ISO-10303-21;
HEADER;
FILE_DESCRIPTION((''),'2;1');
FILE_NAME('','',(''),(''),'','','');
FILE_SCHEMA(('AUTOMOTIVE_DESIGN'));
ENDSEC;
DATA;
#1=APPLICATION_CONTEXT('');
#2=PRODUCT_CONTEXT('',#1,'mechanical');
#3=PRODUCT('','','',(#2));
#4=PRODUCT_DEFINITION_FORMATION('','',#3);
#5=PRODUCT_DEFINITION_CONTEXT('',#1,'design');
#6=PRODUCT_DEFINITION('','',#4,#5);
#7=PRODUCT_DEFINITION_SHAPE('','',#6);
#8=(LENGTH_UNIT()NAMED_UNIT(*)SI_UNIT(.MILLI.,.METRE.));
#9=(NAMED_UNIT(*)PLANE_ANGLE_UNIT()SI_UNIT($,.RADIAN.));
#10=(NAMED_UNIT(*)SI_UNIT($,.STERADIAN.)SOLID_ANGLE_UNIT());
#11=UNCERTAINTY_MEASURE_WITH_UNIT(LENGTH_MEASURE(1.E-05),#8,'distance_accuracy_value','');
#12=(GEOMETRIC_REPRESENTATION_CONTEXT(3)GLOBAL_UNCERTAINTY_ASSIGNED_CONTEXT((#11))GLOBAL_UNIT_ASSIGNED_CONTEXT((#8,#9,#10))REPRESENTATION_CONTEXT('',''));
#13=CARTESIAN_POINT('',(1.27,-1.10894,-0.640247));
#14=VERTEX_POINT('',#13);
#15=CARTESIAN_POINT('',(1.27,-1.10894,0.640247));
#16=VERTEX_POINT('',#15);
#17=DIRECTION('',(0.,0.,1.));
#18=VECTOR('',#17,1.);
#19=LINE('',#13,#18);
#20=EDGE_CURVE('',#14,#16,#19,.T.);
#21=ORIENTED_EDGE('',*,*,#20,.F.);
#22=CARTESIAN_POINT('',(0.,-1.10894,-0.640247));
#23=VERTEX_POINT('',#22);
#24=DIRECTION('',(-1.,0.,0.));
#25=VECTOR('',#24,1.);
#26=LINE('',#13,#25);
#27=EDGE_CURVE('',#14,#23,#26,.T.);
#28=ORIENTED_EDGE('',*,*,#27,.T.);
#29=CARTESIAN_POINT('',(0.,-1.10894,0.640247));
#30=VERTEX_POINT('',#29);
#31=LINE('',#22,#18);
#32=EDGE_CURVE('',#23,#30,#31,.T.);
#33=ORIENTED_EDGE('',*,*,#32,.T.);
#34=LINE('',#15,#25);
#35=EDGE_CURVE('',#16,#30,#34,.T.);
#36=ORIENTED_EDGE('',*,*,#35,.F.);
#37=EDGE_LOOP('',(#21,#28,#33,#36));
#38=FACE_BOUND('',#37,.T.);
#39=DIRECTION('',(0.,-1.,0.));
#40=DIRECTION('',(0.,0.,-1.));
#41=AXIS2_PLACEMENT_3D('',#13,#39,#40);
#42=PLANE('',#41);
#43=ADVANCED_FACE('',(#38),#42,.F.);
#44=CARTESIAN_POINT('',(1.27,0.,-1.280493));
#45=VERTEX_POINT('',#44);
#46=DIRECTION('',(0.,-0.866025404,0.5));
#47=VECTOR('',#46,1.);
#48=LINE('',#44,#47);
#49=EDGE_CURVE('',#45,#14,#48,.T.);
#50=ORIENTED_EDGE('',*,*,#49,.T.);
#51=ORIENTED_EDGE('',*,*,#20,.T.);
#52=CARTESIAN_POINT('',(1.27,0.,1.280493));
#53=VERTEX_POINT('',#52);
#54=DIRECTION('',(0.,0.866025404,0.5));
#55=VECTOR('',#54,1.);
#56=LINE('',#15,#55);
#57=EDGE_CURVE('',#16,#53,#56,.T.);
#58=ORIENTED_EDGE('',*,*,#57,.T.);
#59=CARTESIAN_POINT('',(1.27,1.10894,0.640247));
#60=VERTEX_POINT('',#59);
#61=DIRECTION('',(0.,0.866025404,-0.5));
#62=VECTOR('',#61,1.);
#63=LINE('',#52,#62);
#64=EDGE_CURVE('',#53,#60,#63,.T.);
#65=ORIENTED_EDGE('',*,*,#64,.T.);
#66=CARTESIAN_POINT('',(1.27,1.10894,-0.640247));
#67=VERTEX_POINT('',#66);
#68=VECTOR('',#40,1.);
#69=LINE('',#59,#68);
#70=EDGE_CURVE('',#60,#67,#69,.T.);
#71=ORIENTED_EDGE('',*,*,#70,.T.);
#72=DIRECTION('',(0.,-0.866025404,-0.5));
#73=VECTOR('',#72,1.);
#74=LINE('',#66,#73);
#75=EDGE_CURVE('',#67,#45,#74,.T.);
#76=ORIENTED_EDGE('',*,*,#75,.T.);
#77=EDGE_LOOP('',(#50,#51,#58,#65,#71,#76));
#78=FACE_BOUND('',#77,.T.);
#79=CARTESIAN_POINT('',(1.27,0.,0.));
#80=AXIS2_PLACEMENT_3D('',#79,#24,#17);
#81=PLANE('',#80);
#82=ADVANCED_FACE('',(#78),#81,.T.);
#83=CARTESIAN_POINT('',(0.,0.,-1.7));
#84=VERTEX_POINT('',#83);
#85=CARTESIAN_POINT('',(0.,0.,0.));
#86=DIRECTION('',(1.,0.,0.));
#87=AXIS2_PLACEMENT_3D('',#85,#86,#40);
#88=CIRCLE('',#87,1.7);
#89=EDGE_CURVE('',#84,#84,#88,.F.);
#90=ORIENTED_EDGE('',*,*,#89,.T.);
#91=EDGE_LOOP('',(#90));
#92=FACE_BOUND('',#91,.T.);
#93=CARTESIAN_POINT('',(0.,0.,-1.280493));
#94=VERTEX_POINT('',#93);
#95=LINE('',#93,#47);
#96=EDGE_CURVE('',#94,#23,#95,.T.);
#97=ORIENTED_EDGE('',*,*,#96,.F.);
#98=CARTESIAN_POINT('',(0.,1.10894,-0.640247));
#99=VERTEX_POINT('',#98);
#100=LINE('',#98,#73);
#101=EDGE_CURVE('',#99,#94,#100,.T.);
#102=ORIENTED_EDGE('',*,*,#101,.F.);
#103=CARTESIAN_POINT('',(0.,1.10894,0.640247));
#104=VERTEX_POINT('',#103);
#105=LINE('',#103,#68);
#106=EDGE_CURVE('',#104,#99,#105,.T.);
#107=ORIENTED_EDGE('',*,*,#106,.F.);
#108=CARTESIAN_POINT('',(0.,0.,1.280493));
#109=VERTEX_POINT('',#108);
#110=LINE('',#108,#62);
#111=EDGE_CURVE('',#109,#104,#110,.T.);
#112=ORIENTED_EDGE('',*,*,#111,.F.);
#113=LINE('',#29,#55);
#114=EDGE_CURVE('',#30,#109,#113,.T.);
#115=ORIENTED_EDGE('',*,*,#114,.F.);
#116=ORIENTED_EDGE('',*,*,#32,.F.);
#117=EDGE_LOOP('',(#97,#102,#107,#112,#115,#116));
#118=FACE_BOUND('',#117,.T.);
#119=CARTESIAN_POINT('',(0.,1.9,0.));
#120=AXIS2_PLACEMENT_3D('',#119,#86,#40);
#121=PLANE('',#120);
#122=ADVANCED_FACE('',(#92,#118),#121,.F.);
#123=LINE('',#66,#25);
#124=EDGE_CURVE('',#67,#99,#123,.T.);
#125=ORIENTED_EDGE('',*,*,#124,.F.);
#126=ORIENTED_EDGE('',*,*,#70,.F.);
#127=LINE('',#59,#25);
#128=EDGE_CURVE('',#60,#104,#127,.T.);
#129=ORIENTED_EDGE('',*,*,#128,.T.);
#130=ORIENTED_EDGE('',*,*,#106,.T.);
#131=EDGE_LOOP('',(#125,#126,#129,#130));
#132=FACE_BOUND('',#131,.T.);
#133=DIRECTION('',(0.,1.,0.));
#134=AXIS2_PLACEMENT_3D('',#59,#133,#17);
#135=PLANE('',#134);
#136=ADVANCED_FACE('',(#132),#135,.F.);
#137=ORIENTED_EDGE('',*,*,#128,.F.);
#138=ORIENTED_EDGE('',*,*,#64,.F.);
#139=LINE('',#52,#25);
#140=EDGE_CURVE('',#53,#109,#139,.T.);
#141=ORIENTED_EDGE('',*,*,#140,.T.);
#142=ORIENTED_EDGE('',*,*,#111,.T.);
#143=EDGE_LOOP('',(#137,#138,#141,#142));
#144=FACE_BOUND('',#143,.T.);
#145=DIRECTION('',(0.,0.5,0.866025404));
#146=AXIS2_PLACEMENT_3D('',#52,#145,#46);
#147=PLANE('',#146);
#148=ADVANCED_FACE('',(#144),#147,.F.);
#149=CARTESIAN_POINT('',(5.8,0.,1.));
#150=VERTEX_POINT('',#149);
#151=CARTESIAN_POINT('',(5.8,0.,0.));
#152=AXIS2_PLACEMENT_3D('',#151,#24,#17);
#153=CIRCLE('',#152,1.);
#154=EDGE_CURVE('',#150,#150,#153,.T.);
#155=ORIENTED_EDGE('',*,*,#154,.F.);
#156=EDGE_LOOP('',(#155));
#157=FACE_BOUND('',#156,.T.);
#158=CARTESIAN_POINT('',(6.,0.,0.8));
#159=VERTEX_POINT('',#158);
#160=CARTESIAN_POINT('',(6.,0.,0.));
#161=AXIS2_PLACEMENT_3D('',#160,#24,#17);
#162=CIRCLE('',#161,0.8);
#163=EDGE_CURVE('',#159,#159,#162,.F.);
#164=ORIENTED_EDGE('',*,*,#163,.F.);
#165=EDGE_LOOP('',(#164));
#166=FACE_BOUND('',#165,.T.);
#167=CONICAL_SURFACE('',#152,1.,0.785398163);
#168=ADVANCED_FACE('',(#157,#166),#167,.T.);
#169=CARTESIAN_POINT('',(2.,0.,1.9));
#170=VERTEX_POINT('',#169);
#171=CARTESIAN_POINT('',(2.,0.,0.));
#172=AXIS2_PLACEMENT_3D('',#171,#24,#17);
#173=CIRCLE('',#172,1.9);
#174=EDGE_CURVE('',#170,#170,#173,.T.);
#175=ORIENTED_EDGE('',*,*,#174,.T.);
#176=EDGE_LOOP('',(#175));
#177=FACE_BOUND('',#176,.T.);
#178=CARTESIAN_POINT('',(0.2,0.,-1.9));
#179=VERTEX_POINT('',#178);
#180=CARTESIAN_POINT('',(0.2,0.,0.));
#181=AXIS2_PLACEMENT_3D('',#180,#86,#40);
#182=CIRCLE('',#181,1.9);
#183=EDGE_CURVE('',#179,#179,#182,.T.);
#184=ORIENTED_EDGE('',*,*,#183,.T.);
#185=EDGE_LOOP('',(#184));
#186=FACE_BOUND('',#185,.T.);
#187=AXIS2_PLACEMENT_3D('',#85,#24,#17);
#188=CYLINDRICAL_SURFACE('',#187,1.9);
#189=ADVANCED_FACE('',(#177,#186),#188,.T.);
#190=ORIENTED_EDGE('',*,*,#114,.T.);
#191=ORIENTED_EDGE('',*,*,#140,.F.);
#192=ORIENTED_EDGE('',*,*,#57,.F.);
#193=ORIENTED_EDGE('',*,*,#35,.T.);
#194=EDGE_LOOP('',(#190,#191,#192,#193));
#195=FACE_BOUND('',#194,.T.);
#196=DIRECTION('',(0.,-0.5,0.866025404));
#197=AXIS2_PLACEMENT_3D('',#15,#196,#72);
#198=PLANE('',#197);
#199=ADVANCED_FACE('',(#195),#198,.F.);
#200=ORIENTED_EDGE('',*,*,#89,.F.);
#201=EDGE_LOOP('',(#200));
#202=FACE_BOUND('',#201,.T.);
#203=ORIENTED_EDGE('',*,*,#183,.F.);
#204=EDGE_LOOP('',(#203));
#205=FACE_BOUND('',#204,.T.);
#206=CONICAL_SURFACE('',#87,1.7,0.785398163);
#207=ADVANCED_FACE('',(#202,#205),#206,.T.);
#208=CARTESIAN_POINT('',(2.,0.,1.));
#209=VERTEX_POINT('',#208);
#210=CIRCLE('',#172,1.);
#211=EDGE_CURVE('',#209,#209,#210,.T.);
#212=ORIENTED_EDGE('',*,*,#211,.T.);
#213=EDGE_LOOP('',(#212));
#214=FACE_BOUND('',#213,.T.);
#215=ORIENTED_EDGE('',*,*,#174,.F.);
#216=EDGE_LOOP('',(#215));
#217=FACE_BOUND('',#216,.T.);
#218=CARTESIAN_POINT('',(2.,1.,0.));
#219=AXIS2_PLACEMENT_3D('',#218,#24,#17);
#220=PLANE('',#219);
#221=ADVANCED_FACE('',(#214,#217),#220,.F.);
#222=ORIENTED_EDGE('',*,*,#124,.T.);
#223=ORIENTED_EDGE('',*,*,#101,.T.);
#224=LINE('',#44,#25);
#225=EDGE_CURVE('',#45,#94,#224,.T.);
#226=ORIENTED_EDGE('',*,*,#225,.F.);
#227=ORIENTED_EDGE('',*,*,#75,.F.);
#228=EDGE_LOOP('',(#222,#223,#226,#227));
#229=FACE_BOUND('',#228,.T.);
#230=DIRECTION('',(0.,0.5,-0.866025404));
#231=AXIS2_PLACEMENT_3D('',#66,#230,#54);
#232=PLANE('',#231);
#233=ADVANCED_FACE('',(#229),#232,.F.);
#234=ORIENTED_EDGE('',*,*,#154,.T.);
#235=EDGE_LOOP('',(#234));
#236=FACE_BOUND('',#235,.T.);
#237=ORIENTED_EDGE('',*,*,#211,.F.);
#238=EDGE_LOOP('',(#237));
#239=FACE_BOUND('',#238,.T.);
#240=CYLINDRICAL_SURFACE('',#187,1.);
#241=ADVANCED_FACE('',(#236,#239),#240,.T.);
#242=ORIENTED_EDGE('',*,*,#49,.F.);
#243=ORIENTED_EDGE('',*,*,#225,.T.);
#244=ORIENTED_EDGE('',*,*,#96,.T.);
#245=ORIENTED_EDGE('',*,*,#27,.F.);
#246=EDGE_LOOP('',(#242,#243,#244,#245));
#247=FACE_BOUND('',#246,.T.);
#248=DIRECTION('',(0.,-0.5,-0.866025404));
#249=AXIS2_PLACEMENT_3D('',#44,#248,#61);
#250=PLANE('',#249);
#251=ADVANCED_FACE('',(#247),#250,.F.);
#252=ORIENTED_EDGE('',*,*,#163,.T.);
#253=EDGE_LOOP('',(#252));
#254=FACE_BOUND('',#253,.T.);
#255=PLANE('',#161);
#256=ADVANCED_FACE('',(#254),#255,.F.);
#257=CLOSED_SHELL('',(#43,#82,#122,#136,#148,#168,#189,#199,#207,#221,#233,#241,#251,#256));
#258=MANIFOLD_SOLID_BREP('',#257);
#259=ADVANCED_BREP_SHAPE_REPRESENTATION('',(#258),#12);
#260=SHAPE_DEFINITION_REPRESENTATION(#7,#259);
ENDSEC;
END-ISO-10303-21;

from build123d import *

# Parameters (mm, degrees)
CUT_EXTRUDE1_DEPTH = 1.27
CHAMFER1_SIZE      = 0.2


with BuildPart() as part:
    # Sketch1 → Revolve1 (revolve)
    with BuildSketch(Plane.XY, mode=Mode.PRIVATE) as revolve1_sk:
        Polygon((6, 0), (6, 1), (2, 1), (2, 1.9), (0, 1.9), (0, 0), align=None)
    revolve(revolve1_sk.sketch.rotate(Axis((0, 0, 0), (1, 0, 0)), 90), axis=Axis((0, 0, 0), (1, 0, 0)))

    # Sketch2 → Cut-Extrude1 (cut)
    with BuildSketch(Plane.ZY):
        Polygon((0.640246616, -1.108939669), (1.280493233, 0), (0.640246616, 1.108939669), (-0.640246616, 1.108939669), (-1.280493233, 0), (-0.640246616, -1.108939669), align=None)
    extrude(amount=-CUT_EXTRUDE1_DEPTH, mode=Mode.SUBTRACT)

    # Chamfer1
    chamfer1_edges = [part.edges().sort_by_distance(p)[0] for p in [
        (0, 0, -1.9),
        (6, 0, -1),
    ]]
    chamfer(chamfer1_edges, length=CHAMFER1_SIZE)


solid = part.part
